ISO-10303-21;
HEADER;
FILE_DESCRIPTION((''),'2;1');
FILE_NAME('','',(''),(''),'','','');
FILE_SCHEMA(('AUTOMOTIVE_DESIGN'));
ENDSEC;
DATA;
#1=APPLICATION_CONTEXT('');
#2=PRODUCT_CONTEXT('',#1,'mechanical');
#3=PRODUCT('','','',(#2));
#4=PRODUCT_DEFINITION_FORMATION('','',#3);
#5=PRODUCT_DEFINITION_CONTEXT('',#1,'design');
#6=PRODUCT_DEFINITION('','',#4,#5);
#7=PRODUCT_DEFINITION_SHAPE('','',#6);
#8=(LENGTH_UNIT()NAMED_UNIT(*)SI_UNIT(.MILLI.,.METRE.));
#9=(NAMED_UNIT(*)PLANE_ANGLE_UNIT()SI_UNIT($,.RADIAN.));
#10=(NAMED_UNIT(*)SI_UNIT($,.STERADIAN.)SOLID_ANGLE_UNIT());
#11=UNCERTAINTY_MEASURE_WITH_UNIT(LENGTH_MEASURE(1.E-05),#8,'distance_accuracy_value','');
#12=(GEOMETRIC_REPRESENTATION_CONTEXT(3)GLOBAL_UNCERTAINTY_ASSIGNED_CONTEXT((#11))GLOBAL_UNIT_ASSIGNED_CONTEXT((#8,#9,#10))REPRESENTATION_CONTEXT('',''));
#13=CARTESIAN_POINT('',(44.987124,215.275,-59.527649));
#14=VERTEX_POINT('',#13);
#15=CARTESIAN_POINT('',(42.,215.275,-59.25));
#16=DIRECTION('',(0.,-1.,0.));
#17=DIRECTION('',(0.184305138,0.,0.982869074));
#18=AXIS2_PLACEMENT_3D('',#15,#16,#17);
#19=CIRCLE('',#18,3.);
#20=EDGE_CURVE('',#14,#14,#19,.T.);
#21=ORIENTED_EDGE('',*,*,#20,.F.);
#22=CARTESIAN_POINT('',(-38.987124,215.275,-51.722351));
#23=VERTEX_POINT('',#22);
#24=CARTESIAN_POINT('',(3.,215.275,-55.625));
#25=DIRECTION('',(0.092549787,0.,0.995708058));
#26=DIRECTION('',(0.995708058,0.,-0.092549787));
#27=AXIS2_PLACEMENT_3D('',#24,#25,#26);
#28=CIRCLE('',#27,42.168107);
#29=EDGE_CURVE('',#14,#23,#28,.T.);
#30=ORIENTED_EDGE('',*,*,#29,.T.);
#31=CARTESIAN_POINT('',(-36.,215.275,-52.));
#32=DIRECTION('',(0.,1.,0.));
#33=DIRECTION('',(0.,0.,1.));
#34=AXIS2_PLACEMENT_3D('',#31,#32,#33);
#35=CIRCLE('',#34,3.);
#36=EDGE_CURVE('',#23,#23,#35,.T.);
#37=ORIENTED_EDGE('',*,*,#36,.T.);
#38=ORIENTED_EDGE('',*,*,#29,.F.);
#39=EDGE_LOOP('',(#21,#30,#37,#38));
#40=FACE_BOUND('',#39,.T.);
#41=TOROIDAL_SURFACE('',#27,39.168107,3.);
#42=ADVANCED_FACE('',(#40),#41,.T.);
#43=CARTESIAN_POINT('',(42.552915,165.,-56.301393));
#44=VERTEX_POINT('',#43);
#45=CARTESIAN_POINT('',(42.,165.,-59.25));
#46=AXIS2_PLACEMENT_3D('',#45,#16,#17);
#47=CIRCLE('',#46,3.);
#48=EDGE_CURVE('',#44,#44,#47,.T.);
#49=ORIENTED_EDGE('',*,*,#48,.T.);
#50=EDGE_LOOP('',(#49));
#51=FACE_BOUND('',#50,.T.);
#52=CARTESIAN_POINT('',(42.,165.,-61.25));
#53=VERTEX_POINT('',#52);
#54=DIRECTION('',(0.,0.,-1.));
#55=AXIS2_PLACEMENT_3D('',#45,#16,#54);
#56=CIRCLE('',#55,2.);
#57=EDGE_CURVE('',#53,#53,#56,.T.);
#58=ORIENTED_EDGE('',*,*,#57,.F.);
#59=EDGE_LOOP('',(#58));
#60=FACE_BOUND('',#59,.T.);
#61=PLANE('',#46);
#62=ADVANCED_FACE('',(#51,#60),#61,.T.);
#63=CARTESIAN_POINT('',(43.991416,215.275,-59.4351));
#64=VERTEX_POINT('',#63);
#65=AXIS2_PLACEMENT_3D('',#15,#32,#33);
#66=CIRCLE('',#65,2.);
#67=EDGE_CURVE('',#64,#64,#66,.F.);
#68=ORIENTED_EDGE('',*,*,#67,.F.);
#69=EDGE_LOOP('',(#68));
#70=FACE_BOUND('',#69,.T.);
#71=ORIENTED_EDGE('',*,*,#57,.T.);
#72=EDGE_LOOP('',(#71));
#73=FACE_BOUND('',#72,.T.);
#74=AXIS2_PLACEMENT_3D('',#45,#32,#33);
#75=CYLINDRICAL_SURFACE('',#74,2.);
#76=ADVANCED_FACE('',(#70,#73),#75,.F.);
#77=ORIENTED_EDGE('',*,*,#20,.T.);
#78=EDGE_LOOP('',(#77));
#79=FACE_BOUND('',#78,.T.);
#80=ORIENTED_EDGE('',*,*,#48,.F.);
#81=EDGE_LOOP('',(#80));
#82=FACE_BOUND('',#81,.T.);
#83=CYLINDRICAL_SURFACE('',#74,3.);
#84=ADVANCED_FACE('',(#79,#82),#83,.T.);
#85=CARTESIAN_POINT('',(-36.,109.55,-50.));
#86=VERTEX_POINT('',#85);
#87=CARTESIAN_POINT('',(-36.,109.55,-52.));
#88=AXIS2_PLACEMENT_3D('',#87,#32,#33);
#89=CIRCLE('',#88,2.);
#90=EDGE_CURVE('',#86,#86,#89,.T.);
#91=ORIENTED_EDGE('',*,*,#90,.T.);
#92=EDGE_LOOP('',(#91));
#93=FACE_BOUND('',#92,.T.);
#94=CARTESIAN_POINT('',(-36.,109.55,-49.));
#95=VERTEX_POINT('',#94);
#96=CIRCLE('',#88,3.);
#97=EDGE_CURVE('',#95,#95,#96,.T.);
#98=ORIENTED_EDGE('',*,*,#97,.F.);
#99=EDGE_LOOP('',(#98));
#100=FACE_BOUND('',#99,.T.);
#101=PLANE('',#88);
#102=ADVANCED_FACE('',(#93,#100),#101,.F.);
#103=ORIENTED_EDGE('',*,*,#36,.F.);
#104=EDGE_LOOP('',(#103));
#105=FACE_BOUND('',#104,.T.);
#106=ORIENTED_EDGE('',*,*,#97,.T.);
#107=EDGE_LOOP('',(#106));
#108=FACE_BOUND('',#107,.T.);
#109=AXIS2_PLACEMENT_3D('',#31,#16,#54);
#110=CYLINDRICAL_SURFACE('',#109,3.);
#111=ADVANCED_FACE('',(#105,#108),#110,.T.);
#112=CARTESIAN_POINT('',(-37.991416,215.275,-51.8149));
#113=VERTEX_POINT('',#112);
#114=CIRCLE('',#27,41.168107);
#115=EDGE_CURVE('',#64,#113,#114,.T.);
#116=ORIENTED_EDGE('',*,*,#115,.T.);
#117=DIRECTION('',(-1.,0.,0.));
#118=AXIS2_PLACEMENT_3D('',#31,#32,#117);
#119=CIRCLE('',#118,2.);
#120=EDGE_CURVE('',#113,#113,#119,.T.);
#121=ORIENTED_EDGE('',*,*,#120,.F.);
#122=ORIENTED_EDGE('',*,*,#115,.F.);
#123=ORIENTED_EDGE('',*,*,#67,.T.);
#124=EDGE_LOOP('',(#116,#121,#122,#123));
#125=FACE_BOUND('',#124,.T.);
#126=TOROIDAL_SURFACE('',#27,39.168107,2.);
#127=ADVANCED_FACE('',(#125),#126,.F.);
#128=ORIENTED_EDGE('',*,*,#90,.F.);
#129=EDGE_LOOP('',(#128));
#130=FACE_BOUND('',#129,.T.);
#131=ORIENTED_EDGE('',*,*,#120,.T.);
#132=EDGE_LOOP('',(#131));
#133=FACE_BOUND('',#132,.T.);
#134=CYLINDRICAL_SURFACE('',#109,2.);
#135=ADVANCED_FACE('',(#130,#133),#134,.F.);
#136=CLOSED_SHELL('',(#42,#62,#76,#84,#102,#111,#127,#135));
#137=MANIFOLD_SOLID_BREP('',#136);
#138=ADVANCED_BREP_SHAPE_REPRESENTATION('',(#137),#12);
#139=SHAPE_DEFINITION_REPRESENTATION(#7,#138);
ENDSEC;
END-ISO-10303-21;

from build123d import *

# Parameters (mm, degrees)
BALAYAGE_MINCE1_PROFILE_R   = 3
BALAYAGE_MINCE1_PROFILE_R_2 = 2


with BuildPart() as part:
    # Balayage-Mince1: sweep along a curve in space
    with BuildLine() as balayage_mince1_path:
        Line((42, 165, -59.25), (42, 215.275, -59.25))
        ThreePointArc((42, 215.275, -59.25), (3, 254.443107243, -55.625), (-36, 215.275, -52))
        Line((-36, 215.275, -52), (-36, 109.55, -52))
    # Balayage-Mince1 profile (on start of the path) → Balayage-Mince1 (sweep)
    with BuildSketch(Plane(origin=(42, 165, -59.25), x_dir=(0, 0, 1), z_dir=(0, 1, 0))):
        Circle(BALAYAGE_MINCE1_PROFILE_R)
        Circle(BALAYAGE_MINCE1_PROFILE_R_2, mode=Mode.SUBTRACT)
    sweep(path=balayage_mince1_path.line)


solid = part.part
